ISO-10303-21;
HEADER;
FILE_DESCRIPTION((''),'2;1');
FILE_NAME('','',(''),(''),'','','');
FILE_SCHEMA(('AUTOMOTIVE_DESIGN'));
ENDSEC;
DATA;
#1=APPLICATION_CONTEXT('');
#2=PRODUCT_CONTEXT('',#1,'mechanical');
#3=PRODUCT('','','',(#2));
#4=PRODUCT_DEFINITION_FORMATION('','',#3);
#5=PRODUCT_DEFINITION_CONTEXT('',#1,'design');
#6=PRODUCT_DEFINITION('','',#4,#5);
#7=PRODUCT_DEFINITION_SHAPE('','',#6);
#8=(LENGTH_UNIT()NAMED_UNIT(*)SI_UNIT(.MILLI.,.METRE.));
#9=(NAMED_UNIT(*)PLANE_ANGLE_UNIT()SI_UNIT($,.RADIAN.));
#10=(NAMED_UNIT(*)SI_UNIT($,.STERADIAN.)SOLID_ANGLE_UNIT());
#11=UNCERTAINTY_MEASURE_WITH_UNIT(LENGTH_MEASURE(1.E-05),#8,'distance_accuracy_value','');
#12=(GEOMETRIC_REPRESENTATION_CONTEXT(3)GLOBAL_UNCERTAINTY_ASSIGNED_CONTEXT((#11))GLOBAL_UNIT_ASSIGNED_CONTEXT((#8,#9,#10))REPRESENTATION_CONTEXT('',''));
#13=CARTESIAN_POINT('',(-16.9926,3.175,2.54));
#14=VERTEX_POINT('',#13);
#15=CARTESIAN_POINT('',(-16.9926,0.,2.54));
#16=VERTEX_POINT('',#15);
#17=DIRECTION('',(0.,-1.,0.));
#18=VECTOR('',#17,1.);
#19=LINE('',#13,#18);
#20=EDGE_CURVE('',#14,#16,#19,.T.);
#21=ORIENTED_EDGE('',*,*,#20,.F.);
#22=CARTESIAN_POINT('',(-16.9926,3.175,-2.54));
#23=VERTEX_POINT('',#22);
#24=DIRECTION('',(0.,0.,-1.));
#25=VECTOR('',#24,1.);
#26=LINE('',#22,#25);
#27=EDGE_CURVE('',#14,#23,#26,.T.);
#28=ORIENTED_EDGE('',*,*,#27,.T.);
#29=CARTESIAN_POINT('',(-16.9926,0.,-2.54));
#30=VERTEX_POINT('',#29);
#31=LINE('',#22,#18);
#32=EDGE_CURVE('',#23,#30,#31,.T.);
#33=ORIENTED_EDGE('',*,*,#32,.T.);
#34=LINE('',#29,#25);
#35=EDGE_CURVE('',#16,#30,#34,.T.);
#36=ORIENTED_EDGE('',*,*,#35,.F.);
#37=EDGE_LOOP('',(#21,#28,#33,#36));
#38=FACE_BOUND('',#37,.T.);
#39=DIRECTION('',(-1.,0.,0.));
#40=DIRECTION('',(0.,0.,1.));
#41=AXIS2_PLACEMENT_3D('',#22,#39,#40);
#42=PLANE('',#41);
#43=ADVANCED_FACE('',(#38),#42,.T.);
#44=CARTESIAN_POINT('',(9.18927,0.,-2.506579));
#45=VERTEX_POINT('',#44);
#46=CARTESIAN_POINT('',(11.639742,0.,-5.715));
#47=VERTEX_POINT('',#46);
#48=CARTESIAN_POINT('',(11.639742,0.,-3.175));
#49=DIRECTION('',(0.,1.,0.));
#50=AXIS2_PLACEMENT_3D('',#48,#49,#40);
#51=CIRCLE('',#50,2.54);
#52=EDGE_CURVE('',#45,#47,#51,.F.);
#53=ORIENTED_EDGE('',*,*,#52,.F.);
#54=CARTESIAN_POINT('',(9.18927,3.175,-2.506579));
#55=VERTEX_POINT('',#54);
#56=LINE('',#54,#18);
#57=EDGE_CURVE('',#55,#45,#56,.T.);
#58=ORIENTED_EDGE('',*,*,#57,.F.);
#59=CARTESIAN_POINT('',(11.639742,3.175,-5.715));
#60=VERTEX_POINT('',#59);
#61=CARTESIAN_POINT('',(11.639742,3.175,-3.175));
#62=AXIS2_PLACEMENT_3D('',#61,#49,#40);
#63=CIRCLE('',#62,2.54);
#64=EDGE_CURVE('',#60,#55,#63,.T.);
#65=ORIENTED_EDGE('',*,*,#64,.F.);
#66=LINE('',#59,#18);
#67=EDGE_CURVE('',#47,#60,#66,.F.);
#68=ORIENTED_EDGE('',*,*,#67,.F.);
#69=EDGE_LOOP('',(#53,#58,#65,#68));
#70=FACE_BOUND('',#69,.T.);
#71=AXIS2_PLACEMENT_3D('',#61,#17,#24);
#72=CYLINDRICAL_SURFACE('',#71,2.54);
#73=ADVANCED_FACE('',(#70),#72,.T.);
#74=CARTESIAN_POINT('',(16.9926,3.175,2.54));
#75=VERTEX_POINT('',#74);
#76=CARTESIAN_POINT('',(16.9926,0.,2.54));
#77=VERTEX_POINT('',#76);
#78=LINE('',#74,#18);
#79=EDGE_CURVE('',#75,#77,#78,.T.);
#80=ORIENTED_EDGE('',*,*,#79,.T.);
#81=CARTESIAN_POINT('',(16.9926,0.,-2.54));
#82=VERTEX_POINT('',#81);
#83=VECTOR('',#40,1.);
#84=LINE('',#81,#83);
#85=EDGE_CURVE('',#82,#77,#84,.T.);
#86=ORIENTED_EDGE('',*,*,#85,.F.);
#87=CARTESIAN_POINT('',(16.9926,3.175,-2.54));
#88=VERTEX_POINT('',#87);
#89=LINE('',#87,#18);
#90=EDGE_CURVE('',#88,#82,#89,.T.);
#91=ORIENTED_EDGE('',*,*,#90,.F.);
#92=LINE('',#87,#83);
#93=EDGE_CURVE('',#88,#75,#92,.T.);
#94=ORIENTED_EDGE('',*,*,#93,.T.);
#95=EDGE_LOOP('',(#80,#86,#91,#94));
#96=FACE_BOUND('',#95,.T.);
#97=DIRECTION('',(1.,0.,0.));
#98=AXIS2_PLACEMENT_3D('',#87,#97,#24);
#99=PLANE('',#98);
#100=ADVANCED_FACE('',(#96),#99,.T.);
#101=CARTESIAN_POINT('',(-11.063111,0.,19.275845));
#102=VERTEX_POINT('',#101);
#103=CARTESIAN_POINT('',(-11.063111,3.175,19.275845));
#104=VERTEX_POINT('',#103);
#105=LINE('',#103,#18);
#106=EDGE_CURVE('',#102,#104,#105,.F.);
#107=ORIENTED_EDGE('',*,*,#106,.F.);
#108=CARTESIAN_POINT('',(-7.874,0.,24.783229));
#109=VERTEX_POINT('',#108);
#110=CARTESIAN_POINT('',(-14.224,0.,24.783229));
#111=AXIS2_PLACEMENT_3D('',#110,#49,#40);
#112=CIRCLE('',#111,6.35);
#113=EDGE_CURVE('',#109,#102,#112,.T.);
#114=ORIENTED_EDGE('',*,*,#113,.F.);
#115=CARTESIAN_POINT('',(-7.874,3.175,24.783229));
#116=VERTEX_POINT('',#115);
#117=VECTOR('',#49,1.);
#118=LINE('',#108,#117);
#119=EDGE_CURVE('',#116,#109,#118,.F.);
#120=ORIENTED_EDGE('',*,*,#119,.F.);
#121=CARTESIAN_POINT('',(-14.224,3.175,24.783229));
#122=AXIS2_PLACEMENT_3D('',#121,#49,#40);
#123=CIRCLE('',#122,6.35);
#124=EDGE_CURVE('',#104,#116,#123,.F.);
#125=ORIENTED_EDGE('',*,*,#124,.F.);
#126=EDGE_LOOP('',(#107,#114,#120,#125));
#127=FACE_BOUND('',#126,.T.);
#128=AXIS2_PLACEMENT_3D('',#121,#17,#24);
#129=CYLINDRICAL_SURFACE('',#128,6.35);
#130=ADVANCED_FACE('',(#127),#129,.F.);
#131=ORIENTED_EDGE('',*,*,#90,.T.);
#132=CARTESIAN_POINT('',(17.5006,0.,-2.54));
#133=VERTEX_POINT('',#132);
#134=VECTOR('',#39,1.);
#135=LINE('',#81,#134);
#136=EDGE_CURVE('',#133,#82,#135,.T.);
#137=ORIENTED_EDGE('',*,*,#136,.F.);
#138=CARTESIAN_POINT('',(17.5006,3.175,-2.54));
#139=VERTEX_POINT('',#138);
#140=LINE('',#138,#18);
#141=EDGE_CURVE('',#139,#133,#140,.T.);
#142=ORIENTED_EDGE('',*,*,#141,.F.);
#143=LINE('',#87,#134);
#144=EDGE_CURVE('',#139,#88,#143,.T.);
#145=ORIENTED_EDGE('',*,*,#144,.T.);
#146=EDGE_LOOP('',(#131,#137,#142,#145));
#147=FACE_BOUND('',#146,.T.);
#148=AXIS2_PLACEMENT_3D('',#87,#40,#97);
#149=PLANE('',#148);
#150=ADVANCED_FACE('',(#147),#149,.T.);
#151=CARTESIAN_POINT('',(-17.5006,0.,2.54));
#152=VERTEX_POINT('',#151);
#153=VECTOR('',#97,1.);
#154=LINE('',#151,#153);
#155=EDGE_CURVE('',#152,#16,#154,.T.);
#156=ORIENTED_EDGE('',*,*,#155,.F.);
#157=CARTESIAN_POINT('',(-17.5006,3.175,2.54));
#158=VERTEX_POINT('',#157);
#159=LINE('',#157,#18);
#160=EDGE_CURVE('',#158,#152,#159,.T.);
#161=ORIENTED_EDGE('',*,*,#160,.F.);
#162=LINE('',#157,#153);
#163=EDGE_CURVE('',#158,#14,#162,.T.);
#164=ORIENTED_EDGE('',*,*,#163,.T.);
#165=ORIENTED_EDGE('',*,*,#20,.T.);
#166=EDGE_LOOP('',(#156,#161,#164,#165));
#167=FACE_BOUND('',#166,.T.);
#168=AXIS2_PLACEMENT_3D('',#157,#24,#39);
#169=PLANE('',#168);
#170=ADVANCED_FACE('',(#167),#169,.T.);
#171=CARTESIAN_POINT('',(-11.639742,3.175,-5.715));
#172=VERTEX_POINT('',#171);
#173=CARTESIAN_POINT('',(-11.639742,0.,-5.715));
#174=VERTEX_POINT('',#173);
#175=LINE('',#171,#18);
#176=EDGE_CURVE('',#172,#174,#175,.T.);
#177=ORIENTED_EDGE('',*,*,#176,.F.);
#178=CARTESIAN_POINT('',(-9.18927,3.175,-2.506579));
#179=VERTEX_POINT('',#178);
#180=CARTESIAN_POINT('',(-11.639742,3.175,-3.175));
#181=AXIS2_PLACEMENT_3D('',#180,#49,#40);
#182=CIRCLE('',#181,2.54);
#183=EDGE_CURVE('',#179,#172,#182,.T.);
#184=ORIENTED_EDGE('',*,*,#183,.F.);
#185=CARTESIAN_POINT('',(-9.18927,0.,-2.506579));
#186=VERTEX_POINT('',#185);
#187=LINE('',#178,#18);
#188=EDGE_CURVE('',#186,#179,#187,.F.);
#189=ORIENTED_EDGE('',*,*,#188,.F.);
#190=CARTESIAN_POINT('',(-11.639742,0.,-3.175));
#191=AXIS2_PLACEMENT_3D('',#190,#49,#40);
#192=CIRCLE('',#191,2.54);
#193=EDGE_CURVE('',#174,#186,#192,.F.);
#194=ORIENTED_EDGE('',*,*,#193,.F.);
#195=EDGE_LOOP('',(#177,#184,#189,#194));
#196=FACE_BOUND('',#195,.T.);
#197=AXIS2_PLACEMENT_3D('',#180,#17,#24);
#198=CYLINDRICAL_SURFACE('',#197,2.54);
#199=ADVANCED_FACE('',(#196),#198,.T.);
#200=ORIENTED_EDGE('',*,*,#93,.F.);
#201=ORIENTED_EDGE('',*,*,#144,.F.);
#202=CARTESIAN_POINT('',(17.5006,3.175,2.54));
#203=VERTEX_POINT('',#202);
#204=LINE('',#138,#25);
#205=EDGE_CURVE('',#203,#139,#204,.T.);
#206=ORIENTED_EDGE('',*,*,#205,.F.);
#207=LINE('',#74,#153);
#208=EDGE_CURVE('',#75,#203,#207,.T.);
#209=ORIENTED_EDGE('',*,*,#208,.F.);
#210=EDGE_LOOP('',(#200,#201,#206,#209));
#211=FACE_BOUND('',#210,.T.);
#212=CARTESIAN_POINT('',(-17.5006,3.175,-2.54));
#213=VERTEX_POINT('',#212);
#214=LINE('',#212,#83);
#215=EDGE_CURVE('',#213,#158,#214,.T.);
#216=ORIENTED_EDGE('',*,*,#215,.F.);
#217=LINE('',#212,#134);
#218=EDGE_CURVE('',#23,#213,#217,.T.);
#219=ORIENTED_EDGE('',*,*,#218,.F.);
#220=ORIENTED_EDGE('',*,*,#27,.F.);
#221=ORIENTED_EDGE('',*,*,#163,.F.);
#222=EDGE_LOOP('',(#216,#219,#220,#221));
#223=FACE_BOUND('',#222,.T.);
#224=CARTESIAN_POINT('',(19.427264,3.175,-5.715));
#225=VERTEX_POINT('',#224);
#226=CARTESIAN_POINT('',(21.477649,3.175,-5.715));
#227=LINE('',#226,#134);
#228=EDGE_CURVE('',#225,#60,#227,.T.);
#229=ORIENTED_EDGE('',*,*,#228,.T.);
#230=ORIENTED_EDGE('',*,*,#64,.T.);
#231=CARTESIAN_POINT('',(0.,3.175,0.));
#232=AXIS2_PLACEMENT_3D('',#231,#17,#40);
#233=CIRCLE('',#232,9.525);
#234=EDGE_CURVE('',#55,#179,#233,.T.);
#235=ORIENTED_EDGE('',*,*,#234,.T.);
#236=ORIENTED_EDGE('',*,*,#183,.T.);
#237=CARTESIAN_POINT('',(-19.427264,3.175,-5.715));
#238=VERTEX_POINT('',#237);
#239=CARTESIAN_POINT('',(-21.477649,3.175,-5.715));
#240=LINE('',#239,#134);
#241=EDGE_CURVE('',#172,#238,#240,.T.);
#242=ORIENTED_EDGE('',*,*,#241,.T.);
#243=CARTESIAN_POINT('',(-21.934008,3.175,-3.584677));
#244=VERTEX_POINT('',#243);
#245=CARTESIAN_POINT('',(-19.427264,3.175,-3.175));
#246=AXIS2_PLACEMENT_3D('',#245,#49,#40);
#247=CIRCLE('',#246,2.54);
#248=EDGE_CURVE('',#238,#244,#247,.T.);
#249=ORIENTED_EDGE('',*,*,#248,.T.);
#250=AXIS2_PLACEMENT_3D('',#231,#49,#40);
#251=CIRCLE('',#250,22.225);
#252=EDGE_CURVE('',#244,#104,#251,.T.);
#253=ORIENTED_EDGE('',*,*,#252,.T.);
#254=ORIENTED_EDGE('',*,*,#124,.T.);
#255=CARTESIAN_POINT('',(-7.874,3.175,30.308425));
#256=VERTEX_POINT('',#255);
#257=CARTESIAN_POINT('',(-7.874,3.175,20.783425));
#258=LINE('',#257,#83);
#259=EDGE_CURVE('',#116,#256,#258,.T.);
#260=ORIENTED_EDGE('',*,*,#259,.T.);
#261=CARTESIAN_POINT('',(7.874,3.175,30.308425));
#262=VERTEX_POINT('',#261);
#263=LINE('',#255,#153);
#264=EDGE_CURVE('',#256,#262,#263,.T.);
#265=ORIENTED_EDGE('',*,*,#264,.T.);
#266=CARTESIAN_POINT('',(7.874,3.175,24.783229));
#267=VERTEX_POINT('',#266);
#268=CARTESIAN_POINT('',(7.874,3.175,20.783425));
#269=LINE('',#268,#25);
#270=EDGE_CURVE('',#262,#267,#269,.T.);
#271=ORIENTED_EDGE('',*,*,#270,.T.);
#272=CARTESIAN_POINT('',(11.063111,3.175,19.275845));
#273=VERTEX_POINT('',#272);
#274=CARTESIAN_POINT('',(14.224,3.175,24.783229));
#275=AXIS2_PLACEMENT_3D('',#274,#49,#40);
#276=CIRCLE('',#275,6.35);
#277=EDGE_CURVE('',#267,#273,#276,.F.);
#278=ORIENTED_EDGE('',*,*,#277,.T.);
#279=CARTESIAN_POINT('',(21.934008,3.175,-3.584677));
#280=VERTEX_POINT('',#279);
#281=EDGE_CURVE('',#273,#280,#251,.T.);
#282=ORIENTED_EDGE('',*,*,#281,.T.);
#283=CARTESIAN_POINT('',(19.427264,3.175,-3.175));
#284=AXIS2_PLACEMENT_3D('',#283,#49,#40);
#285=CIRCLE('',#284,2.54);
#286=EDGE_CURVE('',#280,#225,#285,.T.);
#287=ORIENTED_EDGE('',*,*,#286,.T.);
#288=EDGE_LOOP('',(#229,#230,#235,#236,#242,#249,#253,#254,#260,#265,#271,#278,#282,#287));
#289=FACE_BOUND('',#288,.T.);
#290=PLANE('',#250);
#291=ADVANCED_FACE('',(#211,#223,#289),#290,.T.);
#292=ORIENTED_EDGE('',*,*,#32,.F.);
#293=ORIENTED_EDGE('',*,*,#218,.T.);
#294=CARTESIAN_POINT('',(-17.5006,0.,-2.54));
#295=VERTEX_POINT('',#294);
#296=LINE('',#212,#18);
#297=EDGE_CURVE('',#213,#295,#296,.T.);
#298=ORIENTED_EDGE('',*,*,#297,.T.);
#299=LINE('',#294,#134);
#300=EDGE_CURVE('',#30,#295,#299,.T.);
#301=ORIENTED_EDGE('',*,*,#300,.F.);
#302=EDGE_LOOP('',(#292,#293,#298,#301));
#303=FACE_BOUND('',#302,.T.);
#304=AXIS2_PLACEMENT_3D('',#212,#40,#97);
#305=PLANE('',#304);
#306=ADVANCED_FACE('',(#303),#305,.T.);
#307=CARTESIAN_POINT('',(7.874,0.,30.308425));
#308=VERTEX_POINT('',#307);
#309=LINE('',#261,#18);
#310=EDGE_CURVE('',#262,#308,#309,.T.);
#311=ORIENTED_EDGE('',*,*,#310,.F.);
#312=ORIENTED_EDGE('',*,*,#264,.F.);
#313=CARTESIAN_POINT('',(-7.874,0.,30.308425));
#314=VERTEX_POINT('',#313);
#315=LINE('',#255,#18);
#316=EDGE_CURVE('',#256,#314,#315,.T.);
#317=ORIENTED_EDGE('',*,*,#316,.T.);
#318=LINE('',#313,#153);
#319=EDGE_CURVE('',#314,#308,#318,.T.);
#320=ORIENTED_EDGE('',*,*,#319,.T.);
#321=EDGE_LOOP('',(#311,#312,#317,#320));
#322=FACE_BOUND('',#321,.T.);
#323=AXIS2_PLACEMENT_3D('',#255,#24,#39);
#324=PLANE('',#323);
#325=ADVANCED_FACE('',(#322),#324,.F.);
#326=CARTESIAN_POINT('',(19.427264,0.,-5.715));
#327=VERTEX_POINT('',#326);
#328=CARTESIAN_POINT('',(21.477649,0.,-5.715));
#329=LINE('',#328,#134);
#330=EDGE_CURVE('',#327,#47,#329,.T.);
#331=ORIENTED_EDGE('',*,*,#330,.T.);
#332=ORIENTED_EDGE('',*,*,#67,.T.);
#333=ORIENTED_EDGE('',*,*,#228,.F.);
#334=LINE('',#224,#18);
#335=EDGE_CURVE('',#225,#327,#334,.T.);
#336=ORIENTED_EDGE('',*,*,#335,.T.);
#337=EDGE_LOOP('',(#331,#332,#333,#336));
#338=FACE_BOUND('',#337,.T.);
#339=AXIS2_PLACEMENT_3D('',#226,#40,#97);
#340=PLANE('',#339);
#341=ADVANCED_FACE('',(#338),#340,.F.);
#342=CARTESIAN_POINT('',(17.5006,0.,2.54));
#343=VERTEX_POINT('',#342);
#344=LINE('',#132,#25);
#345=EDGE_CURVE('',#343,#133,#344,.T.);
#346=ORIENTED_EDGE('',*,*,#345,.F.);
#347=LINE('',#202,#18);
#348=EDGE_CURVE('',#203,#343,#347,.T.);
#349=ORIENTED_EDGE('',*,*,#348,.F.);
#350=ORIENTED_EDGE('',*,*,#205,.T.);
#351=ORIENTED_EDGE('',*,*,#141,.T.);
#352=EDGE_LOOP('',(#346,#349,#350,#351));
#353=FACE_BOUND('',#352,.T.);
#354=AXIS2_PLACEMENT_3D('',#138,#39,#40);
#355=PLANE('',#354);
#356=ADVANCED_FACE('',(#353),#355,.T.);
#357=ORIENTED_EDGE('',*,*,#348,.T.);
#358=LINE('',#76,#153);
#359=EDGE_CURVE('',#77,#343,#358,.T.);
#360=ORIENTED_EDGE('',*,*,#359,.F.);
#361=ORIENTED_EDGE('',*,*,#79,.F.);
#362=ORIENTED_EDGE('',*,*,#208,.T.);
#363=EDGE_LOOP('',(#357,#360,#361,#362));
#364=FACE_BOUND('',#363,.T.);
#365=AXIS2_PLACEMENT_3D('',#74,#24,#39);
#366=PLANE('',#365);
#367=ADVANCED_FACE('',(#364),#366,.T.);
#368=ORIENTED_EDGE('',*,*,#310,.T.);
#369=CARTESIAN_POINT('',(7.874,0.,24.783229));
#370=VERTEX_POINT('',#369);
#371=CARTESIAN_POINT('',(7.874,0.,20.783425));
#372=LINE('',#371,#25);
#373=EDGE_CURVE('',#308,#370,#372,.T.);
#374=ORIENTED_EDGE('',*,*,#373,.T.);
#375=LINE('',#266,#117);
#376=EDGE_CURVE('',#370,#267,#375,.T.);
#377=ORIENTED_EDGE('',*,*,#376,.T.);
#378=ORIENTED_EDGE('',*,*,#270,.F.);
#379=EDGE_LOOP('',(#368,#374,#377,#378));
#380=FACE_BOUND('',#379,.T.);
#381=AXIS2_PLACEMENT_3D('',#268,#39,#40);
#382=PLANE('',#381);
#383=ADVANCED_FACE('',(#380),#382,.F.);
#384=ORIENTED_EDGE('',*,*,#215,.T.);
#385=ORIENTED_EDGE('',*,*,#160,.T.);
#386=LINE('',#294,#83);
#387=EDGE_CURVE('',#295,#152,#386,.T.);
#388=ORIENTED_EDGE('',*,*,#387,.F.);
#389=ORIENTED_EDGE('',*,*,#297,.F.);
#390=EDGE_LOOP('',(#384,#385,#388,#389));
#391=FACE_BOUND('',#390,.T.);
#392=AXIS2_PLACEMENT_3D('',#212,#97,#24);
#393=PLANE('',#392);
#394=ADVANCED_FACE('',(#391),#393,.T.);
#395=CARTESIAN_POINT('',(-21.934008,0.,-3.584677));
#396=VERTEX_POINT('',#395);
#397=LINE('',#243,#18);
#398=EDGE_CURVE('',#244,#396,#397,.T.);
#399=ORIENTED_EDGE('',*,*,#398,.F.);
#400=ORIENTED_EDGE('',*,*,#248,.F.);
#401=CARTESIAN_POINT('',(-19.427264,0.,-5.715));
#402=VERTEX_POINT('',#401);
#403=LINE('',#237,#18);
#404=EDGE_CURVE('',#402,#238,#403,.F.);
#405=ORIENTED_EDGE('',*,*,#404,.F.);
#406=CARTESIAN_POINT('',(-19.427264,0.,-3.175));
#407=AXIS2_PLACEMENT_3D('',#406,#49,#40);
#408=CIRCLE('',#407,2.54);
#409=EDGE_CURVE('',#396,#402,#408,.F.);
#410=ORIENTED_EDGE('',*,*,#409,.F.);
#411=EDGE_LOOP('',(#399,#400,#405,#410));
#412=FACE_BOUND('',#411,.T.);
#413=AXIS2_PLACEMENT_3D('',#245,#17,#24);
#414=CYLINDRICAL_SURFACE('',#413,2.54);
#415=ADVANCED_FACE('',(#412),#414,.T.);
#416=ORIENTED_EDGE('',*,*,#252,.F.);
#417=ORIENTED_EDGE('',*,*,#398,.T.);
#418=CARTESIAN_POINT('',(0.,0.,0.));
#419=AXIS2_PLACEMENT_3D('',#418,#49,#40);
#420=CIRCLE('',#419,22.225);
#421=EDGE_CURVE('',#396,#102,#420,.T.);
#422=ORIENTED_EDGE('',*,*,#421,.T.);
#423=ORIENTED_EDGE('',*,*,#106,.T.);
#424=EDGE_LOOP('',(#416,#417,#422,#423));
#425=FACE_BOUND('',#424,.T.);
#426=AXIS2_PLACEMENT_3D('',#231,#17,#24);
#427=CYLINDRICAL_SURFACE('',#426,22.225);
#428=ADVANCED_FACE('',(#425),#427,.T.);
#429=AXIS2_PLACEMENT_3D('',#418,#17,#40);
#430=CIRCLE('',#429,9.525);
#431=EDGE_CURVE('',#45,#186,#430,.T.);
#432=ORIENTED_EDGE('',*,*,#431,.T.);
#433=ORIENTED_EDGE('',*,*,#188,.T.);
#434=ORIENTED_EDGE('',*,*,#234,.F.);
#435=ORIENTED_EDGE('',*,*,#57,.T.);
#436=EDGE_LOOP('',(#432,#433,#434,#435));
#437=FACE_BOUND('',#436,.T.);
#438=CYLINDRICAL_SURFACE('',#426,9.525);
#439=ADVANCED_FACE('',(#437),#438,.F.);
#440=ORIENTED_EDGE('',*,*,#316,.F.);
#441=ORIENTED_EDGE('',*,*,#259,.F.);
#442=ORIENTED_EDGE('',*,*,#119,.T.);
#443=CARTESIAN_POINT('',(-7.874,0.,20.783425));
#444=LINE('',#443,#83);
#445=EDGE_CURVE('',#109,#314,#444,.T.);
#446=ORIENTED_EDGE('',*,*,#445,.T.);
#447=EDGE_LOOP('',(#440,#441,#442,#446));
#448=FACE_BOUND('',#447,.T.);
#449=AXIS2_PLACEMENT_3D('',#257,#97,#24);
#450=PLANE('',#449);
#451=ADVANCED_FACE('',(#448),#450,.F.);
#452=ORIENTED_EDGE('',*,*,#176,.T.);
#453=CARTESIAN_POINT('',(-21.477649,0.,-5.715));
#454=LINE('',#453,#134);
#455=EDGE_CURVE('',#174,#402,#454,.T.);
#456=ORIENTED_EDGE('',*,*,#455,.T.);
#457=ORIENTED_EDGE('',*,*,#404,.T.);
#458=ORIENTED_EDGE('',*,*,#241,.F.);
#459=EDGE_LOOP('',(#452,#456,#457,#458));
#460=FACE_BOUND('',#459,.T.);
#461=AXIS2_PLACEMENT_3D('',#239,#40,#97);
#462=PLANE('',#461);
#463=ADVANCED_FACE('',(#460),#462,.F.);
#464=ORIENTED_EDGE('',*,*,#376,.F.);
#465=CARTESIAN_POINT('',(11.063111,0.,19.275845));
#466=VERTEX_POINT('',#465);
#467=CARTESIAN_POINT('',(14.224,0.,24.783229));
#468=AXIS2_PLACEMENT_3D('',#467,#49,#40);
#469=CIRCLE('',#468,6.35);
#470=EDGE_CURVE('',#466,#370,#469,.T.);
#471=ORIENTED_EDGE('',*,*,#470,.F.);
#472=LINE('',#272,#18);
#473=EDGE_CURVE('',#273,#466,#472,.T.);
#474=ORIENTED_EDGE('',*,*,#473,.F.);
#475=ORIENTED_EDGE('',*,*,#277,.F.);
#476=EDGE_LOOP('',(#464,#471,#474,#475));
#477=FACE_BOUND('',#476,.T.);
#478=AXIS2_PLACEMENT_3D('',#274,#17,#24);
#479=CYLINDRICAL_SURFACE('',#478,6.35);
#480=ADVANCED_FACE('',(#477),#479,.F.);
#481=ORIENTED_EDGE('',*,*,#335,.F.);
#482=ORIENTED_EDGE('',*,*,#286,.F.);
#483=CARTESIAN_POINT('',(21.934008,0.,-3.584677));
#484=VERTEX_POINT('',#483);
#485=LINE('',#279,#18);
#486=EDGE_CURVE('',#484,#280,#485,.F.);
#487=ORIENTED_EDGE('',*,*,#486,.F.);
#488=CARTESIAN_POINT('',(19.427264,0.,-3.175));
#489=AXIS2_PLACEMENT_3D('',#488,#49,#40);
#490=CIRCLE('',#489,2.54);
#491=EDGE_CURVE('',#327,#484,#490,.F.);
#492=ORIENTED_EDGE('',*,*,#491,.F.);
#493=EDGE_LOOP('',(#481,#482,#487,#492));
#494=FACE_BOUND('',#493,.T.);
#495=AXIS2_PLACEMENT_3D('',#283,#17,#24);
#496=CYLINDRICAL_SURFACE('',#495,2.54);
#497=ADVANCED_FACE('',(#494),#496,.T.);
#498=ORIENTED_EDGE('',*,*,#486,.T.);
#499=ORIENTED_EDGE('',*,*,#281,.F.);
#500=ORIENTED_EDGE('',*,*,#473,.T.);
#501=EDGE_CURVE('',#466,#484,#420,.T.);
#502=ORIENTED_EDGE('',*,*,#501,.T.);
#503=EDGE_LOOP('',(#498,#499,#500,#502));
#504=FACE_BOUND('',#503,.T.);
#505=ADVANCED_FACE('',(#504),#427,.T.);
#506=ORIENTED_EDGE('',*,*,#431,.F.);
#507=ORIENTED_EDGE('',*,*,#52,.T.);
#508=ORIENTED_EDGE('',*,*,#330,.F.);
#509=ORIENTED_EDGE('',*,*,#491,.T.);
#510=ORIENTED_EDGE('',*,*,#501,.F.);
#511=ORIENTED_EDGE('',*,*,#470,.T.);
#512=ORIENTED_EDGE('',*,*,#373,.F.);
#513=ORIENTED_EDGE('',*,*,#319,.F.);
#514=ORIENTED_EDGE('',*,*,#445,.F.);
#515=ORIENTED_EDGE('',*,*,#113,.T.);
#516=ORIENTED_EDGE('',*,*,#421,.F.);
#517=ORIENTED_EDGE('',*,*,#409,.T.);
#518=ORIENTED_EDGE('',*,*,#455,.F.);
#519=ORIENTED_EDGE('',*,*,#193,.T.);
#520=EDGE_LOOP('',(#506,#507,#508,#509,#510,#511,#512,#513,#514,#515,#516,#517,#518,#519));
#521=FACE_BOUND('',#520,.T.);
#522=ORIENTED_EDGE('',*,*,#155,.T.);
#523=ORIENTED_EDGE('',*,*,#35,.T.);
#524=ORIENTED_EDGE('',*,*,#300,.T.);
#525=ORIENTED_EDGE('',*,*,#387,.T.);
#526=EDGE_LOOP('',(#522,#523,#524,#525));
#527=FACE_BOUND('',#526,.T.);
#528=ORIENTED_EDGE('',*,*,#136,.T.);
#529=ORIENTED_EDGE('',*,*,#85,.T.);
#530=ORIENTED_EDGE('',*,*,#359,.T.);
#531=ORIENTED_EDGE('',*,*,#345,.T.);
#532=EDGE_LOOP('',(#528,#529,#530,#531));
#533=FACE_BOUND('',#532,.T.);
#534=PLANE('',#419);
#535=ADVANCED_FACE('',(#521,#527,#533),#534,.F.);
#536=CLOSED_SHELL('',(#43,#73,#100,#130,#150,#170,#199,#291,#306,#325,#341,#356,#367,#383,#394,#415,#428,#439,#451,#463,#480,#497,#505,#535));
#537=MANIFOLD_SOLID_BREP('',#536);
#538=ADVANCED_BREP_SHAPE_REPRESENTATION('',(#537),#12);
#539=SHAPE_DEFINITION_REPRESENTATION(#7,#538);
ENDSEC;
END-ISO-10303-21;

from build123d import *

# Parameters (mm, degrees)
SKETCH1_W           = 0.508
SKETCH1_H           = 5.08
BOSS_EXTRUDE1_DEPTH = 3.175
FILLET1_R           = 2.54
FILLET2_R           = 6.35


with BuildPart() as part:
    # Sketch1 → Boss-Extrude1 (new body)
    with BuildSketch(Plane(origin=(0, 0, 0), x_dir=(1, 0, 0), z_dir=(0, 1, 0))):
        with BuildLine():
            Line((-21.477648847, 5.715), (-7.62, 5.715))
            ThreePointArc((-7.62, 5.715), (0, -9.525), (7.62, 5.715))
            Line((7.62, 5.715), (21.477648847, 5.715))
            ThreePointArc((21.477648847, 5.715), (19.771733676, -10.150328687), (7.874, -20.783424862))
            Line((7.874, -20.783424862), (7.874, -30.308424862))
            Line((7.874, -30.308424862), (-7.874, -30.308424862))
            Line((-7.874, -30.308424862), (-7.874, -20.783424862))
            ThreePointArc((-7.874, -20.783424862), (-19.771733676, -10.150328687), (-21.477648847, 5.715))
        make_face()
        with Locations((-17.2466, 0)):
            Rectangle(SKETCH1_W, SKETCH1_H, mode=Mode.SUBTRACT)
        with Locations((17.2466, 0)):
            Rectangle(SKETCH1_W, SKETCH1_H, mode=Mode.SUBTRACT)
    extrude(amount=BOSS_EXTRUDE1_DEPTH)

    # Fillet1
    fillet1_edges = [part.edges().sort_by_distance(p)[0] for p in [
        (-21.477648847, 1.5875, -5.715),
        (-7.62, 1.5875, -5.715),
        (7.62, 1.5875, -5.715),
        (21.477648847, 1.5875, -5.715),
    ]]
    fillet(fillet1_edges, radius=FILLET1_R)

    # Fillet2
    fillet2_edges = [part.edges().sort_by_distance(p)[0] for p in [
        (7.874, 1.5875, 20.783424862),
        (-7.874, 1.5875, 20.783424862),
    ]]
    fillet(fillet2_edges, radius=FILLET2_R)


solid = part.part
